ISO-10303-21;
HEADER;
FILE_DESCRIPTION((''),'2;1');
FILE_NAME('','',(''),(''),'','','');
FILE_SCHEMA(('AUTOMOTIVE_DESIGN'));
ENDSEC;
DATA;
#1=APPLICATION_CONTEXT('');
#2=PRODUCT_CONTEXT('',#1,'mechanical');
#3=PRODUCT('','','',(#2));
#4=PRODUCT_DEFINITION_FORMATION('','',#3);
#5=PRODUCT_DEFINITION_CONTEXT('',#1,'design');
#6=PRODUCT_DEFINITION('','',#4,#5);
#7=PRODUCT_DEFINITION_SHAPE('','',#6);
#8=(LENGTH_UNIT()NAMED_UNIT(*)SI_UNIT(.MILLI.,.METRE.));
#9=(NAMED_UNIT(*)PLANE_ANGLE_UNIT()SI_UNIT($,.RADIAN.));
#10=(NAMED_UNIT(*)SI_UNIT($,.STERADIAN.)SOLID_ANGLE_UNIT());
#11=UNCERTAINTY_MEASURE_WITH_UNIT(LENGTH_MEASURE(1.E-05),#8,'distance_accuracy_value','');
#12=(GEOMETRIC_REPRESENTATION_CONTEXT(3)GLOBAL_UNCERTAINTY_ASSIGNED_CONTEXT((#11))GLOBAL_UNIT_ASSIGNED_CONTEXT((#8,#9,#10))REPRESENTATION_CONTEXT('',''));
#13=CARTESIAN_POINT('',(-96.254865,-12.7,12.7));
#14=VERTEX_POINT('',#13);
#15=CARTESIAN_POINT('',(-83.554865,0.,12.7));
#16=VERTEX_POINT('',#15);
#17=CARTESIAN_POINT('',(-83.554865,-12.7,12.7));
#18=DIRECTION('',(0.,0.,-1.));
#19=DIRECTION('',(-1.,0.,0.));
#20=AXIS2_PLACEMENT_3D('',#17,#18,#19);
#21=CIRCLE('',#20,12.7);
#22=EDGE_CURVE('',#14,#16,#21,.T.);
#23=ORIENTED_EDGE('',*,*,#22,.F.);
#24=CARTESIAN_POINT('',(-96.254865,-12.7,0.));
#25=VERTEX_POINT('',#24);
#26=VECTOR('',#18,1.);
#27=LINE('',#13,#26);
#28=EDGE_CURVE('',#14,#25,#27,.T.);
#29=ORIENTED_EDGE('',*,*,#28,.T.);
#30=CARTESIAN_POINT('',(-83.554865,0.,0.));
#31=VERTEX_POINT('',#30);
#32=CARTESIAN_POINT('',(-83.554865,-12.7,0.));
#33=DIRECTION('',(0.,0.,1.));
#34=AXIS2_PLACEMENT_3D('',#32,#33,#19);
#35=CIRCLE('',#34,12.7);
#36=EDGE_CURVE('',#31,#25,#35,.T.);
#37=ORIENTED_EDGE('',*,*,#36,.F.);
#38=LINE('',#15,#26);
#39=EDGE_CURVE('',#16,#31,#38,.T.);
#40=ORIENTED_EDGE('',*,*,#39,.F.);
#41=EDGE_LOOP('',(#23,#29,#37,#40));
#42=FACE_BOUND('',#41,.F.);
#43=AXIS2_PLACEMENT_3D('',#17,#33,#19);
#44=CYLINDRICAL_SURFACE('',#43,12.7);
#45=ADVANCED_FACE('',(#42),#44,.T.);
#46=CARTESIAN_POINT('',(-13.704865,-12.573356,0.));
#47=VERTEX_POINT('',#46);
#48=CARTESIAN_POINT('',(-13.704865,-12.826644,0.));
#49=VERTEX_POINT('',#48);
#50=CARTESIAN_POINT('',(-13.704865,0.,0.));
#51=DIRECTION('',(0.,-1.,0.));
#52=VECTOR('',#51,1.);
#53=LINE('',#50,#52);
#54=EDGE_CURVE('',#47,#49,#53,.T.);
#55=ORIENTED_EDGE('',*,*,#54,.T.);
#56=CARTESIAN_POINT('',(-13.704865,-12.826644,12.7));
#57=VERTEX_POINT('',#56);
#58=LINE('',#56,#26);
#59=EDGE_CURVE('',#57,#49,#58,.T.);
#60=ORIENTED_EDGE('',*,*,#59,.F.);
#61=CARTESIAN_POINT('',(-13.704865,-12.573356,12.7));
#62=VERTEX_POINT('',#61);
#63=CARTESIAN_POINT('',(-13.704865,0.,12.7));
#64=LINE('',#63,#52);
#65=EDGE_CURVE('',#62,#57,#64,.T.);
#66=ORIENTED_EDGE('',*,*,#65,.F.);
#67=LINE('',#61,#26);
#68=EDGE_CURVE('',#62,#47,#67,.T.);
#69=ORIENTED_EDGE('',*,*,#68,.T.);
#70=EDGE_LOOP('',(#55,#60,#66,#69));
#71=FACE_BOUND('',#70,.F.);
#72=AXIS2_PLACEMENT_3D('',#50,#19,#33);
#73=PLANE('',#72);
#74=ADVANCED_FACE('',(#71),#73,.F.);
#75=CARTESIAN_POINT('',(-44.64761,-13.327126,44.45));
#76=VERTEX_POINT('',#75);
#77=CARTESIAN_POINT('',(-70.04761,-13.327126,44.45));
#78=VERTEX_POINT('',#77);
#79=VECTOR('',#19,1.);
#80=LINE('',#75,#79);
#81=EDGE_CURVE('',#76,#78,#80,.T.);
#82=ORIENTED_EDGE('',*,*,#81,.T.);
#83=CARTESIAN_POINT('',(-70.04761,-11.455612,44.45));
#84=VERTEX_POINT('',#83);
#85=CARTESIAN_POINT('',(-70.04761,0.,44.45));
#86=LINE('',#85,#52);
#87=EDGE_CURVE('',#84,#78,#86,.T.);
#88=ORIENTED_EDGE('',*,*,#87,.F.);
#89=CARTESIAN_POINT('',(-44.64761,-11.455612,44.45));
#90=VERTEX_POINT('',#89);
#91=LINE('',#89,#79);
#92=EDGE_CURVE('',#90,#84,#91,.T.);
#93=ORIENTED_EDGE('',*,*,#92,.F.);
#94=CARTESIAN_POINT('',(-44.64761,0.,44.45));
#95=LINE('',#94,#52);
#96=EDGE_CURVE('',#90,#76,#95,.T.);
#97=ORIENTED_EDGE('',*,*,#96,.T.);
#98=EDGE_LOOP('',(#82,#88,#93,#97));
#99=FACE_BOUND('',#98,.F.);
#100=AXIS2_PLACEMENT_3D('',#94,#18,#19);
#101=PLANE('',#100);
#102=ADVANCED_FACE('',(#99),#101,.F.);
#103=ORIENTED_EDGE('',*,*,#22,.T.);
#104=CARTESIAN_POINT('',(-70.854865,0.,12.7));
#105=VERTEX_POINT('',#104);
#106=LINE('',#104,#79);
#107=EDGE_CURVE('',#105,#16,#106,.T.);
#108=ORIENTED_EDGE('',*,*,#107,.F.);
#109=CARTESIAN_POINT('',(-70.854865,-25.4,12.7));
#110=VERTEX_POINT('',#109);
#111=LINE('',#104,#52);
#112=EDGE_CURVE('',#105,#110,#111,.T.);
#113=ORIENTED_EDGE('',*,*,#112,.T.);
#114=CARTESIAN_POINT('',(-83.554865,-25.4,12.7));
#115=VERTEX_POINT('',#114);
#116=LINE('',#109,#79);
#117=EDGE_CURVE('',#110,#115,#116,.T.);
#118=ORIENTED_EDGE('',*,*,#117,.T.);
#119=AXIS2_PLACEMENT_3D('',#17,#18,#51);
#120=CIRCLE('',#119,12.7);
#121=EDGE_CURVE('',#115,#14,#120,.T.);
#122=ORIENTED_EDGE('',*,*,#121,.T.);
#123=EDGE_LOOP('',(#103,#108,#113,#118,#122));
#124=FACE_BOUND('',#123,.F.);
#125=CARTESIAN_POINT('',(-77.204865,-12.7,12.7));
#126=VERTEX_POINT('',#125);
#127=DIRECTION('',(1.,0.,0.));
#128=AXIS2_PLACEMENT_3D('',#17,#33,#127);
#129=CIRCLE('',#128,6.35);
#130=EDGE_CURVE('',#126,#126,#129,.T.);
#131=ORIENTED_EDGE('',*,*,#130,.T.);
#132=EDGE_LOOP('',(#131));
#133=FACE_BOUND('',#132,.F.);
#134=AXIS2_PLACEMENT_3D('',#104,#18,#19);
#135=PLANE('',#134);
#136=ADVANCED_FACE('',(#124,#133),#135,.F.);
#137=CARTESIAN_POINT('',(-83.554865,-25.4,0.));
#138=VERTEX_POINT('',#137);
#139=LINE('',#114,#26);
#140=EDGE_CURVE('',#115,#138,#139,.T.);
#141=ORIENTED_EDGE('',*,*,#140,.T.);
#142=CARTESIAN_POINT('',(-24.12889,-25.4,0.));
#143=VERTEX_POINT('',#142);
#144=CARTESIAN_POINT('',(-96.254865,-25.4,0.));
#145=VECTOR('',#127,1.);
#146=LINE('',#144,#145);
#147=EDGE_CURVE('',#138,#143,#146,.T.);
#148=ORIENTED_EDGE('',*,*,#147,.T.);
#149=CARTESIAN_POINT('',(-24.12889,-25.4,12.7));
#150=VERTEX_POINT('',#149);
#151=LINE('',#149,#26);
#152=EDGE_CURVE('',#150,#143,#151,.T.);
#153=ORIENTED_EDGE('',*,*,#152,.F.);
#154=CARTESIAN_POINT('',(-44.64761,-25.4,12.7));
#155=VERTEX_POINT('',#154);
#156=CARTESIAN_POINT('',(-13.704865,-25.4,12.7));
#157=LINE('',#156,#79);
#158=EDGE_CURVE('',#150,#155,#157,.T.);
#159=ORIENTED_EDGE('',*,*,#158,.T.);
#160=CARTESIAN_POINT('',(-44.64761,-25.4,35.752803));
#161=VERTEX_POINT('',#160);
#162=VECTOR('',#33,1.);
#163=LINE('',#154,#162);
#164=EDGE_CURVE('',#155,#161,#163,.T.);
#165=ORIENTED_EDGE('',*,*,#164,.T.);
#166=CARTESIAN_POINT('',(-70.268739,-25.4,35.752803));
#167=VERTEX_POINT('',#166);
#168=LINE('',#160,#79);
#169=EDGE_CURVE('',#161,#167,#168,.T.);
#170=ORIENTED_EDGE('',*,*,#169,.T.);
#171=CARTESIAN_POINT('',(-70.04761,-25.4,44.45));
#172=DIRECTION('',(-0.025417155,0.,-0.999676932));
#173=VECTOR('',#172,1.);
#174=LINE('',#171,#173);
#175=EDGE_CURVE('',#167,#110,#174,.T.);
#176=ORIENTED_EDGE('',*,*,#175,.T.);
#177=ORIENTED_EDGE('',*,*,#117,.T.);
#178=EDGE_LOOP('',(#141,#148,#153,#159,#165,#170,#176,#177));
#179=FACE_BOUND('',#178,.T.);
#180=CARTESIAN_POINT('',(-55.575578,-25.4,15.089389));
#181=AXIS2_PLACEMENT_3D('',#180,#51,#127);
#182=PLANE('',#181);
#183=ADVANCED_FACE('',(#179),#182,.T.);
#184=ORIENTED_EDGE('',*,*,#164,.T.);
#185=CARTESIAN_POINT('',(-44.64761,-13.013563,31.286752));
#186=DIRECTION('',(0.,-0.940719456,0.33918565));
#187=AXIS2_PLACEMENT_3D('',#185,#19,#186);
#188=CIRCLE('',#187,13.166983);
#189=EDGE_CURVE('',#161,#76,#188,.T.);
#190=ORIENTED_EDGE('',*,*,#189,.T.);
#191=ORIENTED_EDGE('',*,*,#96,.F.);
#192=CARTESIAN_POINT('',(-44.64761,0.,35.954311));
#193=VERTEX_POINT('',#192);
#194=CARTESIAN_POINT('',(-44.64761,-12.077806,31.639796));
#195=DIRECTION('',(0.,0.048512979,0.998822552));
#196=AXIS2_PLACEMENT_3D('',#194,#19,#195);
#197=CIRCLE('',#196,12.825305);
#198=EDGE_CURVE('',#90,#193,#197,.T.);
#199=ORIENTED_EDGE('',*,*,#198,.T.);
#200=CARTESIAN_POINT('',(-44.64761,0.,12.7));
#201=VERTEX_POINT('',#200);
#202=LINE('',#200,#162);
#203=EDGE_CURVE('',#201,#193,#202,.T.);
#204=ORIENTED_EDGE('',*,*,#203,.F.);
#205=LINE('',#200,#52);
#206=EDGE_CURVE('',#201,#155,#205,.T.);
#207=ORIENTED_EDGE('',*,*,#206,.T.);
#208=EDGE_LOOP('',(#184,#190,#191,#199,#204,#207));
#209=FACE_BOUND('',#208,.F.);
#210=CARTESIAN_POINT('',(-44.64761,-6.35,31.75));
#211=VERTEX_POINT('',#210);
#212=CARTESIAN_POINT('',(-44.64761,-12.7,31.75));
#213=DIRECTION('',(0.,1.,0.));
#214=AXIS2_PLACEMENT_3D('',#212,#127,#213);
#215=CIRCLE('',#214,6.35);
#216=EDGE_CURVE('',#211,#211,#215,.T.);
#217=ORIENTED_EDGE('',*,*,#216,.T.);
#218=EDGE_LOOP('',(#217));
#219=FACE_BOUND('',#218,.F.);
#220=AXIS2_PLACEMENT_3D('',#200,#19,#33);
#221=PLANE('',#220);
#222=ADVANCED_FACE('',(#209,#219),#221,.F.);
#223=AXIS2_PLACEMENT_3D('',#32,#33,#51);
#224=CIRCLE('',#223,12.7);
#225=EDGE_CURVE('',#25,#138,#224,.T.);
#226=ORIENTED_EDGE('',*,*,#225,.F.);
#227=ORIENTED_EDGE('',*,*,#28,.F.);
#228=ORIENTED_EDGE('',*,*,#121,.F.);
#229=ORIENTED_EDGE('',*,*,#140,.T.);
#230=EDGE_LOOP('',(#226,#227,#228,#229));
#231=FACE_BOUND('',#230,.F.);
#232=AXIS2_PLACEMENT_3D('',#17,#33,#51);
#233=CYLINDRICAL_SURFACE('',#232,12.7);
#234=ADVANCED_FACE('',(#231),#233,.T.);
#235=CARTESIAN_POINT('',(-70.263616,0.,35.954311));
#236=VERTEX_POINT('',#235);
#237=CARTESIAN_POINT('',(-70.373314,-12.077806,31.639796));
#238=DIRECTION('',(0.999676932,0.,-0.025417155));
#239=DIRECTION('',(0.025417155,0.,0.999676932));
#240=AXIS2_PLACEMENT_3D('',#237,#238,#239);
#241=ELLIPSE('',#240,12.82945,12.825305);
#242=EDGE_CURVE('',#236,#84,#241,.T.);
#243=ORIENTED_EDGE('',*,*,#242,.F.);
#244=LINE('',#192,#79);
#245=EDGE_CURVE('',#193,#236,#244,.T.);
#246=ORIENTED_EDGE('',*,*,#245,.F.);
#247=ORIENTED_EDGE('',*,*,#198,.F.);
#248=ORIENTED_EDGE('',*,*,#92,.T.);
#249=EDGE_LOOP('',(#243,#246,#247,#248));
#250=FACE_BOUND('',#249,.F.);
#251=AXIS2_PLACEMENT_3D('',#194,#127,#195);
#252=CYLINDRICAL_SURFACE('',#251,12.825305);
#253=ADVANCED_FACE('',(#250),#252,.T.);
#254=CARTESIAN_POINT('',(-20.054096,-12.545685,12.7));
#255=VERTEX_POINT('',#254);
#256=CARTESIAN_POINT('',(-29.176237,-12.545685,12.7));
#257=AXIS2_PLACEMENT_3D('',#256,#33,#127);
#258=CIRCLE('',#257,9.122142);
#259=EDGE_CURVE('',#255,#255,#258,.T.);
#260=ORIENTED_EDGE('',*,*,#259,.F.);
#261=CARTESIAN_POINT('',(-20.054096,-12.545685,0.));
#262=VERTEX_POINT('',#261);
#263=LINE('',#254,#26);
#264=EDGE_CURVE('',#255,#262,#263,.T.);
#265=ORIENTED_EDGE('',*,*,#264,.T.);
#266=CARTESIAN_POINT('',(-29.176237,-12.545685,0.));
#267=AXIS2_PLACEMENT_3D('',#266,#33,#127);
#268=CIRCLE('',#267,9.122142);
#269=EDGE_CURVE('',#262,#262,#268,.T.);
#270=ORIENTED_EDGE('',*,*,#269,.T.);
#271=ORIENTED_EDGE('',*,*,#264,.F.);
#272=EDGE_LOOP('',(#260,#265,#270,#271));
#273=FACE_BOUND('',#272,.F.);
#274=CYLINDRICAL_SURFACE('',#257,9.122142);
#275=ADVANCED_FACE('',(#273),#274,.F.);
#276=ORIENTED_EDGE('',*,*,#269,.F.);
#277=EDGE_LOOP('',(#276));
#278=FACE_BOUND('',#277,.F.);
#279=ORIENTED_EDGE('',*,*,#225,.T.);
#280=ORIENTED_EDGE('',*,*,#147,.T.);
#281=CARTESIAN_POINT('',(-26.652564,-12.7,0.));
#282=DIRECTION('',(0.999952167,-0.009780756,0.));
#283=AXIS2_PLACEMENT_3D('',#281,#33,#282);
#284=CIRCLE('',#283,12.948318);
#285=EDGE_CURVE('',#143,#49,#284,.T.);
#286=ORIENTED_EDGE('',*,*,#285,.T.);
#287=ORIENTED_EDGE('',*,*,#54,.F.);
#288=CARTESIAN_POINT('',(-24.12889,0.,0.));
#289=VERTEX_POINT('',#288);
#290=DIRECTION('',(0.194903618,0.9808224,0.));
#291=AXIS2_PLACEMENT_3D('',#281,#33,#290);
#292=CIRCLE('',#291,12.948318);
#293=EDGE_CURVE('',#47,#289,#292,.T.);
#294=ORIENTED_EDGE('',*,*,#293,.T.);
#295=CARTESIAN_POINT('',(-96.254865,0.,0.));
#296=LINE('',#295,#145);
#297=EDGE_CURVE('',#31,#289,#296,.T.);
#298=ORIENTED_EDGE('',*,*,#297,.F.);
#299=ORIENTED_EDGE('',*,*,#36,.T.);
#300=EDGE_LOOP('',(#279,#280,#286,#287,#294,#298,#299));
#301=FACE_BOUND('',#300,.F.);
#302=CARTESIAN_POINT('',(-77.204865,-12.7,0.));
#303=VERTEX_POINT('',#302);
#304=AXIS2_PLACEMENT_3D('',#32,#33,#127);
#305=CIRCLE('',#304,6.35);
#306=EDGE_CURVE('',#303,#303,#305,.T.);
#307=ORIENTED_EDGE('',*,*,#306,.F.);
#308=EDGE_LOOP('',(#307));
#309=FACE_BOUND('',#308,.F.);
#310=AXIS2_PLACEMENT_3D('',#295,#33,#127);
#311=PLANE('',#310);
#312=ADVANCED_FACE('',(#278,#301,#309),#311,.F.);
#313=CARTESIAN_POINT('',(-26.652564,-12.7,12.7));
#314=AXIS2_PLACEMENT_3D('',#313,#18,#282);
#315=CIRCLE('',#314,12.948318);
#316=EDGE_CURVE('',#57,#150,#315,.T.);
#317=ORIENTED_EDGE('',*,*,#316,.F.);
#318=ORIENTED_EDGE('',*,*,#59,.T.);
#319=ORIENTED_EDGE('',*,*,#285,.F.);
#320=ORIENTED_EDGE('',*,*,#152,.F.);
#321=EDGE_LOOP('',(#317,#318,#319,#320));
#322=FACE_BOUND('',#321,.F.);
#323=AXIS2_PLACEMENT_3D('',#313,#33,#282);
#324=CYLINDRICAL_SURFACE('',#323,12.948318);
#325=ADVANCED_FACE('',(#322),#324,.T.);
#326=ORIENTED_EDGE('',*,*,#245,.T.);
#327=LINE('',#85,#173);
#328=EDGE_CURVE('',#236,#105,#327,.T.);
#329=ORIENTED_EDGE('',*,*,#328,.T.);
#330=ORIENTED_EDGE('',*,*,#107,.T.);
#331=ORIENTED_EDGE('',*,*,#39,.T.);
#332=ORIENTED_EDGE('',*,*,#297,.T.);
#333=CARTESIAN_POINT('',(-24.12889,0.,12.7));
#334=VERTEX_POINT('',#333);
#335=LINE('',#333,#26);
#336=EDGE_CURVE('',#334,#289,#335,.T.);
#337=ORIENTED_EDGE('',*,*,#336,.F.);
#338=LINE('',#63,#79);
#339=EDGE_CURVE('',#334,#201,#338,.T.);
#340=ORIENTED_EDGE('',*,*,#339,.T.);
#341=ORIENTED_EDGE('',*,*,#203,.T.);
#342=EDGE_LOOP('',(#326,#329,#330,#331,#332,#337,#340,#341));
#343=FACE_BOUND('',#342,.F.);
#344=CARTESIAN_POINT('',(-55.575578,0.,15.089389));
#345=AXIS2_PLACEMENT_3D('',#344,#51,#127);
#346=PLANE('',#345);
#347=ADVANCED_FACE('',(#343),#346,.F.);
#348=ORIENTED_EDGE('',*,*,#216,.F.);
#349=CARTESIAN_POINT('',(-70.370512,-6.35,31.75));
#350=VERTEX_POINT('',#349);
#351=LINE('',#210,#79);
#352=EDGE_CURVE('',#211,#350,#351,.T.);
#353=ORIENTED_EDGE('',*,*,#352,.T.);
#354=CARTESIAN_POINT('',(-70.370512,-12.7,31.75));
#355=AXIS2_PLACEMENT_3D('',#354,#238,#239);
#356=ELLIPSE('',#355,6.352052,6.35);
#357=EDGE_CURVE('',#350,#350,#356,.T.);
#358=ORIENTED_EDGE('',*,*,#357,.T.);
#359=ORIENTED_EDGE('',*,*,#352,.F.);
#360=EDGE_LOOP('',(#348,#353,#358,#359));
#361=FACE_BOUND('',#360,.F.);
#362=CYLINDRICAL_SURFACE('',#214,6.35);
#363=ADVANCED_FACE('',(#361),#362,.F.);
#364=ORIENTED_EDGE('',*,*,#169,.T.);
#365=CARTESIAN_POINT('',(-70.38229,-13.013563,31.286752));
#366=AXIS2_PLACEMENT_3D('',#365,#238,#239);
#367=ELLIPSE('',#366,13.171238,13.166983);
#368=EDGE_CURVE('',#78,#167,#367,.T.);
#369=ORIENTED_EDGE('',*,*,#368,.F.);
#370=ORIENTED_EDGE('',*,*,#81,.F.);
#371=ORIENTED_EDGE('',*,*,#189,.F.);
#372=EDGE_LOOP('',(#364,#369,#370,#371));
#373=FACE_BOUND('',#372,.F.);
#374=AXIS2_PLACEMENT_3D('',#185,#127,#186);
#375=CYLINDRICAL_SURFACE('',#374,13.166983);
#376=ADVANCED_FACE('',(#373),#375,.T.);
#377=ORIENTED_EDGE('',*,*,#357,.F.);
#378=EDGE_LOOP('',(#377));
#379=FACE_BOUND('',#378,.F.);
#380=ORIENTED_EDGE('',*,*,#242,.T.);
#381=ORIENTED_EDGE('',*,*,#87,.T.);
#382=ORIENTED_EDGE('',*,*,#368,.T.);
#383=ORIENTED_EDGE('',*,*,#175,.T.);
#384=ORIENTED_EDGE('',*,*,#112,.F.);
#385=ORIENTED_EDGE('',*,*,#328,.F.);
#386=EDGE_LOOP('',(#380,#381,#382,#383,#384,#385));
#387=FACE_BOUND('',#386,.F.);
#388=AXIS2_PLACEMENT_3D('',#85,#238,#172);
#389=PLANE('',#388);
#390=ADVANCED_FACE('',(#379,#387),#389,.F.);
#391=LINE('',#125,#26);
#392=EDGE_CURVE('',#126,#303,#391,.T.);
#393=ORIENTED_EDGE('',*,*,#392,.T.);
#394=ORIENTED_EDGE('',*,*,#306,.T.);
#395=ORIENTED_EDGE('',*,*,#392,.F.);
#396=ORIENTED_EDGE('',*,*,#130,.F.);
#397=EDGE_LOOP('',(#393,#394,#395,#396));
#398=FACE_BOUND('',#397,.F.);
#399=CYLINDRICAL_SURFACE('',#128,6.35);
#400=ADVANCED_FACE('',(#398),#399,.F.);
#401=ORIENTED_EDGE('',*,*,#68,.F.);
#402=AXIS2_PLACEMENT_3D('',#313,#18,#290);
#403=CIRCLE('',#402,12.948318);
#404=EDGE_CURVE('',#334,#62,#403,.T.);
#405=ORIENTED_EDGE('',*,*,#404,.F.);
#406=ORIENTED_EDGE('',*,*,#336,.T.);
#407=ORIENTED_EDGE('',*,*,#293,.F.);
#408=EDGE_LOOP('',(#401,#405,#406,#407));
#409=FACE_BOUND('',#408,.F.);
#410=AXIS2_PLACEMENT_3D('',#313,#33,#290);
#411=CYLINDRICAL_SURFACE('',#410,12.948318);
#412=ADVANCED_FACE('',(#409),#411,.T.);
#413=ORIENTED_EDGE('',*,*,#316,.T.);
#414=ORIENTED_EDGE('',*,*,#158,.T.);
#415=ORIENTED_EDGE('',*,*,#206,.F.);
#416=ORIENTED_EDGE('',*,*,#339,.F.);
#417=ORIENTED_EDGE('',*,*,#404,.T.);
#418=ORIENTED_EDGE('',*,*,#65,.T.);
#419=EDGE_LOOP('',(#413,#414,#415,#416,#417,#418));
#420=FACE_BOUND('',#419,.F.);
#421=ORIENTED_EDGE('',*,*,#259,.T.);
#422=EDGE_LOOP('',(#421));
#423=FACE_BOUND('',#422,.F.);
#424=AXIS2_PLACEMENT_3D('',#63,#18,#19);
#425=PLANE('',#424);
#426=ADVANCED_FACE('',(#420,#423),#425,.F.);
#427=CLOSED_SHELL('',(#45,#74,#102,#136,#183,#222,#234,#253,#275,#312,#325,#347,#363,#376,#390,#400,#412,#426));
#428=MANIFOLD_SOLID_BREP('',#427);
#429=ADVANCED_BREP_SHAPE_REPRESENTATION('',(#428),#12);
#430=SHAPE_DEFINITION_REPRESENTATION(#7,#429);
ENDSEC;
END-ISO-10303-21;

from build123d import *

# Parameters (mm, degrees)
F1_DEPTH  = 25.4
F2_R      = 6.35
F3_DEPTH  = 51.60825547
F5_DEPTH  = 51.60825547
F6_R      = 9.122141835
F7_DEPTH  = 12.701
F8_R      = 6.35
F9_DEPTH  = 12.701
F11_DEPTH = 12.701
F13_DEPTH = 12.701


with BuildPart() as f1:
    # F0 (on Front) → F1 (new body)
    with BuildSketch(Plane.XZ):
        Polygon((-70.854865197, 12.7), (-96.254865197, 12.7), (-96.254865197, 0), (-13.704865197, 0), (-13.704865197, 12.7), (-44.647609727, 12.7), (-44.647609727, 44.45), (-70.047609727, 44.45), align=None)
    extrude(amount=F1_DEPTH)

    # F2 (on face) → F3 (cut, through all)
    with BuildSketch(Plane.YZ.offset(-44.647609727)):
        with Locations((-12.7, 31.75)):
            Circle(F2_R)
    extrude(amount=-F3_DEPTH, mode=Mode.SUBTRACT)

    # F4 (on face) → F5 (cut, through all)
    with BuildSketch(Plane.YZ.offset(-44.647609727)):
        with BuildLine():
            ThreePointArc((-25.4, 35.7528030872), (-20.7098485948, 41.9702258596), (-13.3271264447, 44.45))
            Line((-13.3271264447, 44.45), (-25.4, 44.45))
            Line((-25.4, 44.45), (-25.4, 35.7528030872))
        make_face()
        with BuildLine():
            Line((0, 44.45), (-11.4556124951, 44.45))
            ThreePointArc((-11.4556124951, 44.45), (-4.4379972961, 41.9413380989), (0, 35.9543114901))
            Line((0, 35.9543114901), (0, 44.45))
        make_face()
    extrude(amount=-F5_DEPTH, mode=Mode.SUBTRACT)

    # F6 (on face) → F7 (cut, through all)
    with BuildSketch(Plane.XY.offset(12.7)):
        with Locations((-29.176237462, -12.5456847349)):
            Circle(F6_R)
    extrude(amount=-F7_DEPTH, mode=Mode.SUBTRACT)

    # F8 (on face) → F9 (cut, through all)
    with BuildSketch(Plane.XY.offset(12.7)):
        with Locations((-83.554865197, -12.7)):
            Circle(F8_R)
    extrude(amount=-F9_DEPTH, mode=Mode.SUBTRACT)

    # F10 (on face) → F11 (cut, through all)
    with BuildSketch(Plane.XY.offset(12.7)):
        with BuildLine():
            ThreePointArc((-96.254865197, -12.7), (-92.5351213181, -3.7197438789), (-83.554865197, 0))
            Line((-83.554865197, 0), (-96.254865197, 0))
            Line((-96.254865197, 0), (-96.254865197, -12.7))
        make_face()
        with BuildLine():
            ThreePointArc((-83.554865197, -25.4), (-92.5351213181, -21.6802561211), (-96.254865197, -12.7))
            Line((-96.254865197, -12.7), (-96.254865197, -25.4))
            Line((-96.254865197, -25.4), (-83.554865197, -25.4))
        make_face()
    extrude(amount=-F11_DEPTH, mode=Mode.SUBTRACT)

    # F12 (on face) → F13 (cut, through all)
    with BuildSketch(Plane.XY.offset(12.7)):
        with BuildLine():
            ThreePointArc((-24.1288895467, 0), (-16.6844564555, -4.4358743894), (-13.704865197, -12.5733556693))
            Line((-13.704865197, -12.5733556693), (-13.704865197, 0))
            Line((-13.704865197, 0), (-24.1288895467, 0))
        make_face()
        with BuildLine():
            ThreePointArc((-13.704865197, -12.8266443307), (-16.6844564555, -20.9641256106), (-24.1288895467, -25.4))
            Line((-24.1288895467, -25.4), (-13.704865197, -25.4))
            Line((-13.704865197, -25.4), (-13.704865197, -12.8266443307))
        make_face()
    extrude(amount=-F13_DEPTH, mode=Mode.SUBTRACT)


solid = f1.part
